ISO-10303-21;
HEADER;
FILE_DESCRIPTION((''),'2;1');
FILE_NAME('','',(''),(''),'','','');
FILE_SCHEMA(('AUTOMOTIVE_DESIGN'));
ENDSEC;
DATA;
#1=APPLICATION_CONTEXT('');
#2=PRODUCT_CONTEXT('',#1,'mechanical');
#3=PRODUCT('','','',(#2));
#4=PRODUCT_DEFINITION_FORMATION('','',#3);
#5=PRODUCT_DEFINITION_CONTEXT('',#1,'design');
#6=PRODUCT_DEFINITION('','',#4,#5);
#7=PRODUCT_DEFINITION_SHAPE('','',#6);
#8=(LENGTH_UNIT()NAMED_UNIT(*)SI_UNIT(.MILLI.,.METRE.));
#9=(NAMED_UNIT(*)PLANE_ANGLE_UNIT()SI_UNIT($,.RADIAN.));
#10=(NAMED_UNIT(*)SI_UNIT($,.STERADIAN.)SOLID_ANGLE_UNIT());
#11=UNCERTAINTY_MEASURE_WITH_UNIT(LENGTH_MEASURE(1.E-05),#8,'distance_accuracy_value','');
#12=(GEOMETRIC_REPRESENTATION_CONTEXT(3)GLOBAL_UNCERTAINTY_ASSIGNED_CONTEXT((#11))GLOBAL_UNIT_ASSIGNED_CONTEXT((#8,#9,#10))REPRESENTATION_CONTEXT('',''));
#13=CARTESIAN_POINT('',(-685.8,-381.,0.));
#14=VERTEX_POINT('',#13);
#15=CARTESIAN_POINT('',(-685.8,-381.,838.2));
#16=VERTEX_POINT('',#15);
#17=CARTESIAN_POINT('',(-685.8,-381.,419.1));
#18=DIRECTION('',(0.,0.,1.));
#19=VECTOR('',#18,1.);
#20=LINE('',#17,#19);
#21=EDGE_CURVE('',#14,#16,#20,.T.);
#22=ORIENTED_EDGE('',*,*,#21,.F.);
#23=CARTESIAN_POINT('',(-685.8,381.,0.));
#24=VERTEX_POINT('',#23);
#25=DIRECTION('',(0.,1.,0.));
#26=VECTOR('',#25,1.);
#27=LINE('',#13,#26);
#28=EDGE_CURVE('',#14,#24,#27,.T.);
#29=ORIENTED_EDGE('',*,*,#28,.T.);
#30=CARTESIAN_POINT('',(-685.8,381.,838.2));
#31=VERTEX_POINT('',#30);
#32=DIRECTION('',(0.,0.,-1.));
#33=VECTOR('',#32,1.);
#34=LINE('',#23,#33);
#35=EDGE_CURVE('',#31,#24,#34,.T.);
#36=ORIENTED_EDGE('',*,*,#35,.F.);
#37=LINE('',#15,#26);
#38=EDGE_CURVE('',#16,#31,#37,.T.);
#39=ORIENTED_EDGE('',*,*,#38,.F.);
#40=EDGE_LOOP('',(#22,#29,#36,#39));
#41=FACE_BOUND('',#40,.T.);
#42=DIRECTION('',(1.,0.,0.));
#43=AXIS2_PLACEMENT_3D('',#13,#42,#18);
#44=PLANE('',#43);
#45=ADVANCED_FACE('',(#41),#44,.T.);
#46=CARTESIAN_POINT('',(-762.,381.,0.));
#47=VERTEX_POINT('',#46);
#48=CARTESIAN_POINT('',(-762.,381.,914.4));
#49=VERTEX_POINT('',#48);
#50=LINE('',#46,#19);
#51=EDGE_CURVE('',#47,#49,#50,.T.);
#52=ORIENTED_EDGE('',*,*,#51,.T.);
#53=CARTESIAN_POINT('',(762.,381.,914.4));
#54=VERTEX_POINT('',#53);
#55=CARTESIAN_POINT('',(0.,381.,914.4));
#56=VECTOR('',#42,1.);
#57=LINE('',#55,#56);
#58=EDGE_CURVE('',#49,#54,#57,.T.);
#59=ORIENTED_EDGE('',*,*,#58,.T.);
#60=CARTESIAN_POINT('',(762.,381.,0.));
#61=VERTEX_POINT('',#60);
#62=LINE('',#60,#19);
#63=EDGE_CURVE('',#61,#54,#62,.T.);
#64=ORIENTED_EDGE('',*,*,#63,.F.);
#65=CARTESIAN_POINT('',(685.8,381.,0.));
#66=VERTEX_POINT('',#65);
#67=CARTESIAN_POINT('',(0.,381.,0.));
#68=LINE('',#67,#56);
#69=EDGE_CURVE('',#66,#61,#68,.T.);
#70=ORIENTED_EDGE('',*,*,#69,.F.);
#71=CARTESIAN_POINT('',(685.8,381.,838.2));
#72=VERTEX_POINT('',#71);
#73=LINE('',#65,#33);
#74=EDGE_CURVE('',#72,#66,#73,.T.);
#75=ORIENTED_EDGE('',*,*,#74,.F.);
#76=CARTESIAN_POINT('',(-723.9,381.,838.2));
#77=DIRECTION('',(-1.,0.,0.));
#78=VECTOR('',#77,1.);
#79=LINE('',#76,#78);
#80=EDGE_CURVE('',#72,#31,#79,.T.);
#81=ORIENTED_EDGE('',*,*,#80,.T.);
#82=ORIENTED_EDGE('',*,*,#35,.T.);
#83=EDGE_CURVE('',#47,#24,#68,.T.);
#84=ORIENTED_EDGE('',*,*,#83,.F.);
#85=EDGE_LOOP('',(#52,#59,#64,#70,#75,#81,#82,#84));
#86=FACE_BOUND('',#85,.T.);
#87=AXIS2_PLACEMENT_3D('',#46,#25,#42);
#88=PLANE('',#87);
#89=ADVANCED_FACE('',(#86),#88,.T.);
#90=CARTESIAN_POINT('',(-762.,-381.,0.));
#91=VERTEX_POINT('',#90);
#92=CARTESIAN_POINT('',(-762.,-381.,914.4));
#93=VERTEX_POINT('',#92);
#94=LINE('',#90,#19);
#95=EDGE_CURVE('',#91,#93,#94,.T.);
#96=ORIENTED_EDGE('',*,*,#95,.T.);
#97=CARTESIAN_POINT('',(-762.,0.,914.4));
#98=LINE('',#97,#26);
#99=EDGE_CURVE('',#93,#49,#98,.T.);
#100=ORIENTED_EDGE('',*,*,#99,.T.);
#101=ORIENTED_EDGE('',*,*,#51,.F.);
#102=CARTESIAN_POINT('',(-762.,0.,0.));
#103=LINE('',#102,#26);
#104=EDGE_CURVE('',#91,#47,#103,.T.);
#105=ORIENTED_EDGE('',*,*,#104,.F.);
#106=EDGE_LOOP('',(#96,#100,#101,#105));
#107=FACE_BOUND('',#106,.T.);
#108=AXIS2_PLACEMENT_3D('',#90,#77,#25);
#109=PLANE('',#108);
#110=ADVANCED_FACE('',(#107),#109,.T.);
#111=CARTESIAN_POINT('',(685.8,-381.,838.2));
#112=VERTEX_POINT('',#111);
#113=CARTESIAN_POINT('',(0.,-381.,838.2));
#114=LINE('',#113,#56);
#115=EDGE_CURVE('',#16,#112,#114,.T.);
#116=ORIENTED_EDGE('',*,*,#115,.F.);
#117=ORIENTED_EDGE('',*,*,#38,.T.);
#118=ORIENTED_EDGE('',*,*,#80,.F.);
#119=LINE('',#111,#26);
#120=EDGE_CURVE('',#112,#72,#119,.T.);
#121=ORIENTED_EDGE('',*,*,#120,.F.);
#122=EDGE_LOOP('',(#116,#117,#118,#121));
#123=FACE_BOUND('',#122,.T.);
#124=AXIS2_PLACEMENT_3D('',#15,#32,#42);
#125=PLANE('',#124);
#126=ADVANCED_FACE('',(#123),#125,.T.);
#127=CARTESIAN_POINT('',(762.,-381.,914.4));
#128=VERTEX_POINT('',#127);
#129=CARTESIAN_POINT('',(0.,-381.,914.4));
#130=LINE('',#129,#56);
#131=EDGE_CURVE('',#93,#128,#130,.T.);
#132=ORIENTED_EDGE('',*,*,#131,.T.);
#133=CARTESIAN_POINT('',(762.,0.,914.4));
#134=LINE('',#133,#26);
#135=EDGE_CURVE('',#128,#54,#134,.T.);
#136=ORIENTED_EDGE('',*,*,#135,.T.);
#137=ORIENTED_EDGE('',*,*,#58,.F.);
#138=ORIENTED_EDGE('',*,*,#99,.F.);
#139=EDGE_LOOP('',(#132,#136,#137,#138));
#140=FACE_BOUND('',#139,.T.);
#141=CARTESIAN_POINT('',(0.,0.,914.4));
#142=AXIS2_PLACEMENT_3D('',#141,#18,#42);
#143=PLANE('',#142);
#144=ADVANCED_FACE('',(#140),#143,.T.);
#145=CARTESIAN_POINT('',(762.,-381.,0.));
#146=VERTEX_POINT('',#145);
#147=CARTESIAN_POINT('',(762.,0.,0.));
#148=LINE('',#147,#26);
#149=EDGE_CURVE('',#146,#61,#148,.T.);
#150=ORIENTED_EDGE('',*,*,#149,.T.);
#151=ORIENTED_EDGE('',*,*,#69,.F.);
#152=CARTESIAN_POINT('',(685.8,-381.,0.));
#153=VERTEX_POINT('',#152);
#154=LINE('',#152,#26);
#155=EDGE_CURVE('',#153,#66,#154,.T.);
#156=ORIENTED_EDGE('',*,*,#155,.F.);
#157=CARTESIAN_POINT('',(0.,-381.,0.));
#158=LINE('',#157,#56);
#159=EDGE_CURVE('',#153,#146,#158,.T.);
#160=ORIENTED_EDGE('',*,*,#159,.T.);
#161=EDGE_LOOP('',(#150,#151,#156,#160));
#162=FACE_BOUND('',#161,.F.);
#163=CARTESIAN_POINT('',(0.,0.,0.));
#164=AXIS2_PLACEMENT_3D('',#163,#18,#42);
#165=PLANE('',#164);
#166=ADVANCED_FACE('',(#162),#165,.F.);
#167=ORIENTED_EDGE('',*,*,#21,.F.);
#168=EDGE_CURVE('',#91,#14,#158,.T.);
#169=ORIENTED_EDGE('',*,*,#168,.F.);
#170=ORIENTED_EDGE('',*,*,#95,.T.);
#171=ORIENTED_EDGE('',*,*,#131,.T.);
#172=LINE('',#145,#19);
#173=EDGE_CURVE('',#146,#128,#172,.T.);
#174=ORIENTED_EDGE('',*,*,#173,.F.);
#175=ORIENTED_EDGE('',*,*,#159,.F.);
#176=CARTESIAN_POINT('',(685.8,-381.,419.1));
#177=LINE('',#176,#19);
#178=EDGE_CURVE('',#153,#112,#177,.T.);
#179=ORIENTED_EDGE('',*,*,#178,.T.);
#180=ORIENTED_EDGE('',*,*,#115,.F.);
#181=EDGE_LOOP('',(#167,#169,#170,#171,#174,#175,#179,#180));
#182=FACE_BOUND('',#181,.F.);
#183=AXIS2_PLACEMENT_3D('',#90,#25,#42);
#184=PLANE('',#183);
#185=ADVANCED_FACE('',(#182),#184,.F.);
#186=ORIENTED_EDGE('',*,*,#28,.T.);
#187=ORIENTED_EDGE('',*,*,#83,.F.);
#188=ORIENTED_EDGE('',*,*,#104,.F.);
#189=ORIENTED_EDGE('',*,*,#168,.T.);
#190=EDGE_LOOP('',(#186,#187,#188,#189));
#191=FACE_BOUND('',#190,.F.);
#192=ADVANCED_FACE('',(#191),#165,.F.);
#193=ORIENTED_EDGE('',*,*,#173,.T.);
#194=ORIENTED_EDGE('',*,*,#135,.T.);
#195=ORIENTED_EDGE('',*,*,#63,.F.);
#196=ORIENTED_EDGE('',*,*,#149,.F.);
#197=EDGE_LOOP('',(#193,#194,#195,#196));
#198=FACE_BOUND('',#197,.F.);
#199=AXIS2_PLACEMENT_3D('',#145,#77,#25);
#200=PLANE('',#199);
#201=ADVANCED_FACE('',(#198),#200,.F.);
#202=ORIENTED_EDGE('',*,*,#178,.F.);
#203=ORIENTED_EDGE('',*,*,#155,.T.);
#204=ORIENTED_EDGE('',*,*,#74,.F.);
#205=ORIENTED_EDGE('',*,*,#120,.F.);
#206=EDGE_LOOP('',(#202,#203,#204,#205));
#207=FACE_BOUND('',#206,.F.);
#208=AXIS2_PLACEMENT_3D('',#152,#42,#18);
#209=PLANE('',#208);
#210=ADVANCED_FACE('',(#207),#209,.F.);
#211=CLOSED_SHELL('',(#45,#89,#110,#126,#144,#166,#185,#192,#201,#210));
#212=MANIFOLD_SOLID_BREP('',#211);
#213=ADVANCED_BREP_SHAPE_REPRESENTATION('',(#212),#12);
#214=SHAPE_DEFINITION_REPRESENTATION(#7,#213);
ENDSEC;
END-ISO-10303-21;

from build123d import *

# Parameters (mm, degrees)
F0_W     = 1524
F0_H     = 762
F1_DEPTH = 914.4
F2_W     = 1371.6
F2_H     = 838.2
F3_DEPTH = 762.001


with BuildPart() as f1:
    # F0 (on Top) → F1 (new body)
    with BuildSketch(Plane.XY):
        Rectangle(F0_W, F0_H)
    extrude(amount=F1_DEPTH)

    # F2 (on face) → F3 (cut, through all)
    with BuildSketch(Plane.XZ.offset(381)):
        with Locations((0, 419.1)):
            Rectangle(F2_W, F2_H)
    extrude(amount=-F3_DEPTH, mode=Mode.SUBTRACT)


solid = f1.part
